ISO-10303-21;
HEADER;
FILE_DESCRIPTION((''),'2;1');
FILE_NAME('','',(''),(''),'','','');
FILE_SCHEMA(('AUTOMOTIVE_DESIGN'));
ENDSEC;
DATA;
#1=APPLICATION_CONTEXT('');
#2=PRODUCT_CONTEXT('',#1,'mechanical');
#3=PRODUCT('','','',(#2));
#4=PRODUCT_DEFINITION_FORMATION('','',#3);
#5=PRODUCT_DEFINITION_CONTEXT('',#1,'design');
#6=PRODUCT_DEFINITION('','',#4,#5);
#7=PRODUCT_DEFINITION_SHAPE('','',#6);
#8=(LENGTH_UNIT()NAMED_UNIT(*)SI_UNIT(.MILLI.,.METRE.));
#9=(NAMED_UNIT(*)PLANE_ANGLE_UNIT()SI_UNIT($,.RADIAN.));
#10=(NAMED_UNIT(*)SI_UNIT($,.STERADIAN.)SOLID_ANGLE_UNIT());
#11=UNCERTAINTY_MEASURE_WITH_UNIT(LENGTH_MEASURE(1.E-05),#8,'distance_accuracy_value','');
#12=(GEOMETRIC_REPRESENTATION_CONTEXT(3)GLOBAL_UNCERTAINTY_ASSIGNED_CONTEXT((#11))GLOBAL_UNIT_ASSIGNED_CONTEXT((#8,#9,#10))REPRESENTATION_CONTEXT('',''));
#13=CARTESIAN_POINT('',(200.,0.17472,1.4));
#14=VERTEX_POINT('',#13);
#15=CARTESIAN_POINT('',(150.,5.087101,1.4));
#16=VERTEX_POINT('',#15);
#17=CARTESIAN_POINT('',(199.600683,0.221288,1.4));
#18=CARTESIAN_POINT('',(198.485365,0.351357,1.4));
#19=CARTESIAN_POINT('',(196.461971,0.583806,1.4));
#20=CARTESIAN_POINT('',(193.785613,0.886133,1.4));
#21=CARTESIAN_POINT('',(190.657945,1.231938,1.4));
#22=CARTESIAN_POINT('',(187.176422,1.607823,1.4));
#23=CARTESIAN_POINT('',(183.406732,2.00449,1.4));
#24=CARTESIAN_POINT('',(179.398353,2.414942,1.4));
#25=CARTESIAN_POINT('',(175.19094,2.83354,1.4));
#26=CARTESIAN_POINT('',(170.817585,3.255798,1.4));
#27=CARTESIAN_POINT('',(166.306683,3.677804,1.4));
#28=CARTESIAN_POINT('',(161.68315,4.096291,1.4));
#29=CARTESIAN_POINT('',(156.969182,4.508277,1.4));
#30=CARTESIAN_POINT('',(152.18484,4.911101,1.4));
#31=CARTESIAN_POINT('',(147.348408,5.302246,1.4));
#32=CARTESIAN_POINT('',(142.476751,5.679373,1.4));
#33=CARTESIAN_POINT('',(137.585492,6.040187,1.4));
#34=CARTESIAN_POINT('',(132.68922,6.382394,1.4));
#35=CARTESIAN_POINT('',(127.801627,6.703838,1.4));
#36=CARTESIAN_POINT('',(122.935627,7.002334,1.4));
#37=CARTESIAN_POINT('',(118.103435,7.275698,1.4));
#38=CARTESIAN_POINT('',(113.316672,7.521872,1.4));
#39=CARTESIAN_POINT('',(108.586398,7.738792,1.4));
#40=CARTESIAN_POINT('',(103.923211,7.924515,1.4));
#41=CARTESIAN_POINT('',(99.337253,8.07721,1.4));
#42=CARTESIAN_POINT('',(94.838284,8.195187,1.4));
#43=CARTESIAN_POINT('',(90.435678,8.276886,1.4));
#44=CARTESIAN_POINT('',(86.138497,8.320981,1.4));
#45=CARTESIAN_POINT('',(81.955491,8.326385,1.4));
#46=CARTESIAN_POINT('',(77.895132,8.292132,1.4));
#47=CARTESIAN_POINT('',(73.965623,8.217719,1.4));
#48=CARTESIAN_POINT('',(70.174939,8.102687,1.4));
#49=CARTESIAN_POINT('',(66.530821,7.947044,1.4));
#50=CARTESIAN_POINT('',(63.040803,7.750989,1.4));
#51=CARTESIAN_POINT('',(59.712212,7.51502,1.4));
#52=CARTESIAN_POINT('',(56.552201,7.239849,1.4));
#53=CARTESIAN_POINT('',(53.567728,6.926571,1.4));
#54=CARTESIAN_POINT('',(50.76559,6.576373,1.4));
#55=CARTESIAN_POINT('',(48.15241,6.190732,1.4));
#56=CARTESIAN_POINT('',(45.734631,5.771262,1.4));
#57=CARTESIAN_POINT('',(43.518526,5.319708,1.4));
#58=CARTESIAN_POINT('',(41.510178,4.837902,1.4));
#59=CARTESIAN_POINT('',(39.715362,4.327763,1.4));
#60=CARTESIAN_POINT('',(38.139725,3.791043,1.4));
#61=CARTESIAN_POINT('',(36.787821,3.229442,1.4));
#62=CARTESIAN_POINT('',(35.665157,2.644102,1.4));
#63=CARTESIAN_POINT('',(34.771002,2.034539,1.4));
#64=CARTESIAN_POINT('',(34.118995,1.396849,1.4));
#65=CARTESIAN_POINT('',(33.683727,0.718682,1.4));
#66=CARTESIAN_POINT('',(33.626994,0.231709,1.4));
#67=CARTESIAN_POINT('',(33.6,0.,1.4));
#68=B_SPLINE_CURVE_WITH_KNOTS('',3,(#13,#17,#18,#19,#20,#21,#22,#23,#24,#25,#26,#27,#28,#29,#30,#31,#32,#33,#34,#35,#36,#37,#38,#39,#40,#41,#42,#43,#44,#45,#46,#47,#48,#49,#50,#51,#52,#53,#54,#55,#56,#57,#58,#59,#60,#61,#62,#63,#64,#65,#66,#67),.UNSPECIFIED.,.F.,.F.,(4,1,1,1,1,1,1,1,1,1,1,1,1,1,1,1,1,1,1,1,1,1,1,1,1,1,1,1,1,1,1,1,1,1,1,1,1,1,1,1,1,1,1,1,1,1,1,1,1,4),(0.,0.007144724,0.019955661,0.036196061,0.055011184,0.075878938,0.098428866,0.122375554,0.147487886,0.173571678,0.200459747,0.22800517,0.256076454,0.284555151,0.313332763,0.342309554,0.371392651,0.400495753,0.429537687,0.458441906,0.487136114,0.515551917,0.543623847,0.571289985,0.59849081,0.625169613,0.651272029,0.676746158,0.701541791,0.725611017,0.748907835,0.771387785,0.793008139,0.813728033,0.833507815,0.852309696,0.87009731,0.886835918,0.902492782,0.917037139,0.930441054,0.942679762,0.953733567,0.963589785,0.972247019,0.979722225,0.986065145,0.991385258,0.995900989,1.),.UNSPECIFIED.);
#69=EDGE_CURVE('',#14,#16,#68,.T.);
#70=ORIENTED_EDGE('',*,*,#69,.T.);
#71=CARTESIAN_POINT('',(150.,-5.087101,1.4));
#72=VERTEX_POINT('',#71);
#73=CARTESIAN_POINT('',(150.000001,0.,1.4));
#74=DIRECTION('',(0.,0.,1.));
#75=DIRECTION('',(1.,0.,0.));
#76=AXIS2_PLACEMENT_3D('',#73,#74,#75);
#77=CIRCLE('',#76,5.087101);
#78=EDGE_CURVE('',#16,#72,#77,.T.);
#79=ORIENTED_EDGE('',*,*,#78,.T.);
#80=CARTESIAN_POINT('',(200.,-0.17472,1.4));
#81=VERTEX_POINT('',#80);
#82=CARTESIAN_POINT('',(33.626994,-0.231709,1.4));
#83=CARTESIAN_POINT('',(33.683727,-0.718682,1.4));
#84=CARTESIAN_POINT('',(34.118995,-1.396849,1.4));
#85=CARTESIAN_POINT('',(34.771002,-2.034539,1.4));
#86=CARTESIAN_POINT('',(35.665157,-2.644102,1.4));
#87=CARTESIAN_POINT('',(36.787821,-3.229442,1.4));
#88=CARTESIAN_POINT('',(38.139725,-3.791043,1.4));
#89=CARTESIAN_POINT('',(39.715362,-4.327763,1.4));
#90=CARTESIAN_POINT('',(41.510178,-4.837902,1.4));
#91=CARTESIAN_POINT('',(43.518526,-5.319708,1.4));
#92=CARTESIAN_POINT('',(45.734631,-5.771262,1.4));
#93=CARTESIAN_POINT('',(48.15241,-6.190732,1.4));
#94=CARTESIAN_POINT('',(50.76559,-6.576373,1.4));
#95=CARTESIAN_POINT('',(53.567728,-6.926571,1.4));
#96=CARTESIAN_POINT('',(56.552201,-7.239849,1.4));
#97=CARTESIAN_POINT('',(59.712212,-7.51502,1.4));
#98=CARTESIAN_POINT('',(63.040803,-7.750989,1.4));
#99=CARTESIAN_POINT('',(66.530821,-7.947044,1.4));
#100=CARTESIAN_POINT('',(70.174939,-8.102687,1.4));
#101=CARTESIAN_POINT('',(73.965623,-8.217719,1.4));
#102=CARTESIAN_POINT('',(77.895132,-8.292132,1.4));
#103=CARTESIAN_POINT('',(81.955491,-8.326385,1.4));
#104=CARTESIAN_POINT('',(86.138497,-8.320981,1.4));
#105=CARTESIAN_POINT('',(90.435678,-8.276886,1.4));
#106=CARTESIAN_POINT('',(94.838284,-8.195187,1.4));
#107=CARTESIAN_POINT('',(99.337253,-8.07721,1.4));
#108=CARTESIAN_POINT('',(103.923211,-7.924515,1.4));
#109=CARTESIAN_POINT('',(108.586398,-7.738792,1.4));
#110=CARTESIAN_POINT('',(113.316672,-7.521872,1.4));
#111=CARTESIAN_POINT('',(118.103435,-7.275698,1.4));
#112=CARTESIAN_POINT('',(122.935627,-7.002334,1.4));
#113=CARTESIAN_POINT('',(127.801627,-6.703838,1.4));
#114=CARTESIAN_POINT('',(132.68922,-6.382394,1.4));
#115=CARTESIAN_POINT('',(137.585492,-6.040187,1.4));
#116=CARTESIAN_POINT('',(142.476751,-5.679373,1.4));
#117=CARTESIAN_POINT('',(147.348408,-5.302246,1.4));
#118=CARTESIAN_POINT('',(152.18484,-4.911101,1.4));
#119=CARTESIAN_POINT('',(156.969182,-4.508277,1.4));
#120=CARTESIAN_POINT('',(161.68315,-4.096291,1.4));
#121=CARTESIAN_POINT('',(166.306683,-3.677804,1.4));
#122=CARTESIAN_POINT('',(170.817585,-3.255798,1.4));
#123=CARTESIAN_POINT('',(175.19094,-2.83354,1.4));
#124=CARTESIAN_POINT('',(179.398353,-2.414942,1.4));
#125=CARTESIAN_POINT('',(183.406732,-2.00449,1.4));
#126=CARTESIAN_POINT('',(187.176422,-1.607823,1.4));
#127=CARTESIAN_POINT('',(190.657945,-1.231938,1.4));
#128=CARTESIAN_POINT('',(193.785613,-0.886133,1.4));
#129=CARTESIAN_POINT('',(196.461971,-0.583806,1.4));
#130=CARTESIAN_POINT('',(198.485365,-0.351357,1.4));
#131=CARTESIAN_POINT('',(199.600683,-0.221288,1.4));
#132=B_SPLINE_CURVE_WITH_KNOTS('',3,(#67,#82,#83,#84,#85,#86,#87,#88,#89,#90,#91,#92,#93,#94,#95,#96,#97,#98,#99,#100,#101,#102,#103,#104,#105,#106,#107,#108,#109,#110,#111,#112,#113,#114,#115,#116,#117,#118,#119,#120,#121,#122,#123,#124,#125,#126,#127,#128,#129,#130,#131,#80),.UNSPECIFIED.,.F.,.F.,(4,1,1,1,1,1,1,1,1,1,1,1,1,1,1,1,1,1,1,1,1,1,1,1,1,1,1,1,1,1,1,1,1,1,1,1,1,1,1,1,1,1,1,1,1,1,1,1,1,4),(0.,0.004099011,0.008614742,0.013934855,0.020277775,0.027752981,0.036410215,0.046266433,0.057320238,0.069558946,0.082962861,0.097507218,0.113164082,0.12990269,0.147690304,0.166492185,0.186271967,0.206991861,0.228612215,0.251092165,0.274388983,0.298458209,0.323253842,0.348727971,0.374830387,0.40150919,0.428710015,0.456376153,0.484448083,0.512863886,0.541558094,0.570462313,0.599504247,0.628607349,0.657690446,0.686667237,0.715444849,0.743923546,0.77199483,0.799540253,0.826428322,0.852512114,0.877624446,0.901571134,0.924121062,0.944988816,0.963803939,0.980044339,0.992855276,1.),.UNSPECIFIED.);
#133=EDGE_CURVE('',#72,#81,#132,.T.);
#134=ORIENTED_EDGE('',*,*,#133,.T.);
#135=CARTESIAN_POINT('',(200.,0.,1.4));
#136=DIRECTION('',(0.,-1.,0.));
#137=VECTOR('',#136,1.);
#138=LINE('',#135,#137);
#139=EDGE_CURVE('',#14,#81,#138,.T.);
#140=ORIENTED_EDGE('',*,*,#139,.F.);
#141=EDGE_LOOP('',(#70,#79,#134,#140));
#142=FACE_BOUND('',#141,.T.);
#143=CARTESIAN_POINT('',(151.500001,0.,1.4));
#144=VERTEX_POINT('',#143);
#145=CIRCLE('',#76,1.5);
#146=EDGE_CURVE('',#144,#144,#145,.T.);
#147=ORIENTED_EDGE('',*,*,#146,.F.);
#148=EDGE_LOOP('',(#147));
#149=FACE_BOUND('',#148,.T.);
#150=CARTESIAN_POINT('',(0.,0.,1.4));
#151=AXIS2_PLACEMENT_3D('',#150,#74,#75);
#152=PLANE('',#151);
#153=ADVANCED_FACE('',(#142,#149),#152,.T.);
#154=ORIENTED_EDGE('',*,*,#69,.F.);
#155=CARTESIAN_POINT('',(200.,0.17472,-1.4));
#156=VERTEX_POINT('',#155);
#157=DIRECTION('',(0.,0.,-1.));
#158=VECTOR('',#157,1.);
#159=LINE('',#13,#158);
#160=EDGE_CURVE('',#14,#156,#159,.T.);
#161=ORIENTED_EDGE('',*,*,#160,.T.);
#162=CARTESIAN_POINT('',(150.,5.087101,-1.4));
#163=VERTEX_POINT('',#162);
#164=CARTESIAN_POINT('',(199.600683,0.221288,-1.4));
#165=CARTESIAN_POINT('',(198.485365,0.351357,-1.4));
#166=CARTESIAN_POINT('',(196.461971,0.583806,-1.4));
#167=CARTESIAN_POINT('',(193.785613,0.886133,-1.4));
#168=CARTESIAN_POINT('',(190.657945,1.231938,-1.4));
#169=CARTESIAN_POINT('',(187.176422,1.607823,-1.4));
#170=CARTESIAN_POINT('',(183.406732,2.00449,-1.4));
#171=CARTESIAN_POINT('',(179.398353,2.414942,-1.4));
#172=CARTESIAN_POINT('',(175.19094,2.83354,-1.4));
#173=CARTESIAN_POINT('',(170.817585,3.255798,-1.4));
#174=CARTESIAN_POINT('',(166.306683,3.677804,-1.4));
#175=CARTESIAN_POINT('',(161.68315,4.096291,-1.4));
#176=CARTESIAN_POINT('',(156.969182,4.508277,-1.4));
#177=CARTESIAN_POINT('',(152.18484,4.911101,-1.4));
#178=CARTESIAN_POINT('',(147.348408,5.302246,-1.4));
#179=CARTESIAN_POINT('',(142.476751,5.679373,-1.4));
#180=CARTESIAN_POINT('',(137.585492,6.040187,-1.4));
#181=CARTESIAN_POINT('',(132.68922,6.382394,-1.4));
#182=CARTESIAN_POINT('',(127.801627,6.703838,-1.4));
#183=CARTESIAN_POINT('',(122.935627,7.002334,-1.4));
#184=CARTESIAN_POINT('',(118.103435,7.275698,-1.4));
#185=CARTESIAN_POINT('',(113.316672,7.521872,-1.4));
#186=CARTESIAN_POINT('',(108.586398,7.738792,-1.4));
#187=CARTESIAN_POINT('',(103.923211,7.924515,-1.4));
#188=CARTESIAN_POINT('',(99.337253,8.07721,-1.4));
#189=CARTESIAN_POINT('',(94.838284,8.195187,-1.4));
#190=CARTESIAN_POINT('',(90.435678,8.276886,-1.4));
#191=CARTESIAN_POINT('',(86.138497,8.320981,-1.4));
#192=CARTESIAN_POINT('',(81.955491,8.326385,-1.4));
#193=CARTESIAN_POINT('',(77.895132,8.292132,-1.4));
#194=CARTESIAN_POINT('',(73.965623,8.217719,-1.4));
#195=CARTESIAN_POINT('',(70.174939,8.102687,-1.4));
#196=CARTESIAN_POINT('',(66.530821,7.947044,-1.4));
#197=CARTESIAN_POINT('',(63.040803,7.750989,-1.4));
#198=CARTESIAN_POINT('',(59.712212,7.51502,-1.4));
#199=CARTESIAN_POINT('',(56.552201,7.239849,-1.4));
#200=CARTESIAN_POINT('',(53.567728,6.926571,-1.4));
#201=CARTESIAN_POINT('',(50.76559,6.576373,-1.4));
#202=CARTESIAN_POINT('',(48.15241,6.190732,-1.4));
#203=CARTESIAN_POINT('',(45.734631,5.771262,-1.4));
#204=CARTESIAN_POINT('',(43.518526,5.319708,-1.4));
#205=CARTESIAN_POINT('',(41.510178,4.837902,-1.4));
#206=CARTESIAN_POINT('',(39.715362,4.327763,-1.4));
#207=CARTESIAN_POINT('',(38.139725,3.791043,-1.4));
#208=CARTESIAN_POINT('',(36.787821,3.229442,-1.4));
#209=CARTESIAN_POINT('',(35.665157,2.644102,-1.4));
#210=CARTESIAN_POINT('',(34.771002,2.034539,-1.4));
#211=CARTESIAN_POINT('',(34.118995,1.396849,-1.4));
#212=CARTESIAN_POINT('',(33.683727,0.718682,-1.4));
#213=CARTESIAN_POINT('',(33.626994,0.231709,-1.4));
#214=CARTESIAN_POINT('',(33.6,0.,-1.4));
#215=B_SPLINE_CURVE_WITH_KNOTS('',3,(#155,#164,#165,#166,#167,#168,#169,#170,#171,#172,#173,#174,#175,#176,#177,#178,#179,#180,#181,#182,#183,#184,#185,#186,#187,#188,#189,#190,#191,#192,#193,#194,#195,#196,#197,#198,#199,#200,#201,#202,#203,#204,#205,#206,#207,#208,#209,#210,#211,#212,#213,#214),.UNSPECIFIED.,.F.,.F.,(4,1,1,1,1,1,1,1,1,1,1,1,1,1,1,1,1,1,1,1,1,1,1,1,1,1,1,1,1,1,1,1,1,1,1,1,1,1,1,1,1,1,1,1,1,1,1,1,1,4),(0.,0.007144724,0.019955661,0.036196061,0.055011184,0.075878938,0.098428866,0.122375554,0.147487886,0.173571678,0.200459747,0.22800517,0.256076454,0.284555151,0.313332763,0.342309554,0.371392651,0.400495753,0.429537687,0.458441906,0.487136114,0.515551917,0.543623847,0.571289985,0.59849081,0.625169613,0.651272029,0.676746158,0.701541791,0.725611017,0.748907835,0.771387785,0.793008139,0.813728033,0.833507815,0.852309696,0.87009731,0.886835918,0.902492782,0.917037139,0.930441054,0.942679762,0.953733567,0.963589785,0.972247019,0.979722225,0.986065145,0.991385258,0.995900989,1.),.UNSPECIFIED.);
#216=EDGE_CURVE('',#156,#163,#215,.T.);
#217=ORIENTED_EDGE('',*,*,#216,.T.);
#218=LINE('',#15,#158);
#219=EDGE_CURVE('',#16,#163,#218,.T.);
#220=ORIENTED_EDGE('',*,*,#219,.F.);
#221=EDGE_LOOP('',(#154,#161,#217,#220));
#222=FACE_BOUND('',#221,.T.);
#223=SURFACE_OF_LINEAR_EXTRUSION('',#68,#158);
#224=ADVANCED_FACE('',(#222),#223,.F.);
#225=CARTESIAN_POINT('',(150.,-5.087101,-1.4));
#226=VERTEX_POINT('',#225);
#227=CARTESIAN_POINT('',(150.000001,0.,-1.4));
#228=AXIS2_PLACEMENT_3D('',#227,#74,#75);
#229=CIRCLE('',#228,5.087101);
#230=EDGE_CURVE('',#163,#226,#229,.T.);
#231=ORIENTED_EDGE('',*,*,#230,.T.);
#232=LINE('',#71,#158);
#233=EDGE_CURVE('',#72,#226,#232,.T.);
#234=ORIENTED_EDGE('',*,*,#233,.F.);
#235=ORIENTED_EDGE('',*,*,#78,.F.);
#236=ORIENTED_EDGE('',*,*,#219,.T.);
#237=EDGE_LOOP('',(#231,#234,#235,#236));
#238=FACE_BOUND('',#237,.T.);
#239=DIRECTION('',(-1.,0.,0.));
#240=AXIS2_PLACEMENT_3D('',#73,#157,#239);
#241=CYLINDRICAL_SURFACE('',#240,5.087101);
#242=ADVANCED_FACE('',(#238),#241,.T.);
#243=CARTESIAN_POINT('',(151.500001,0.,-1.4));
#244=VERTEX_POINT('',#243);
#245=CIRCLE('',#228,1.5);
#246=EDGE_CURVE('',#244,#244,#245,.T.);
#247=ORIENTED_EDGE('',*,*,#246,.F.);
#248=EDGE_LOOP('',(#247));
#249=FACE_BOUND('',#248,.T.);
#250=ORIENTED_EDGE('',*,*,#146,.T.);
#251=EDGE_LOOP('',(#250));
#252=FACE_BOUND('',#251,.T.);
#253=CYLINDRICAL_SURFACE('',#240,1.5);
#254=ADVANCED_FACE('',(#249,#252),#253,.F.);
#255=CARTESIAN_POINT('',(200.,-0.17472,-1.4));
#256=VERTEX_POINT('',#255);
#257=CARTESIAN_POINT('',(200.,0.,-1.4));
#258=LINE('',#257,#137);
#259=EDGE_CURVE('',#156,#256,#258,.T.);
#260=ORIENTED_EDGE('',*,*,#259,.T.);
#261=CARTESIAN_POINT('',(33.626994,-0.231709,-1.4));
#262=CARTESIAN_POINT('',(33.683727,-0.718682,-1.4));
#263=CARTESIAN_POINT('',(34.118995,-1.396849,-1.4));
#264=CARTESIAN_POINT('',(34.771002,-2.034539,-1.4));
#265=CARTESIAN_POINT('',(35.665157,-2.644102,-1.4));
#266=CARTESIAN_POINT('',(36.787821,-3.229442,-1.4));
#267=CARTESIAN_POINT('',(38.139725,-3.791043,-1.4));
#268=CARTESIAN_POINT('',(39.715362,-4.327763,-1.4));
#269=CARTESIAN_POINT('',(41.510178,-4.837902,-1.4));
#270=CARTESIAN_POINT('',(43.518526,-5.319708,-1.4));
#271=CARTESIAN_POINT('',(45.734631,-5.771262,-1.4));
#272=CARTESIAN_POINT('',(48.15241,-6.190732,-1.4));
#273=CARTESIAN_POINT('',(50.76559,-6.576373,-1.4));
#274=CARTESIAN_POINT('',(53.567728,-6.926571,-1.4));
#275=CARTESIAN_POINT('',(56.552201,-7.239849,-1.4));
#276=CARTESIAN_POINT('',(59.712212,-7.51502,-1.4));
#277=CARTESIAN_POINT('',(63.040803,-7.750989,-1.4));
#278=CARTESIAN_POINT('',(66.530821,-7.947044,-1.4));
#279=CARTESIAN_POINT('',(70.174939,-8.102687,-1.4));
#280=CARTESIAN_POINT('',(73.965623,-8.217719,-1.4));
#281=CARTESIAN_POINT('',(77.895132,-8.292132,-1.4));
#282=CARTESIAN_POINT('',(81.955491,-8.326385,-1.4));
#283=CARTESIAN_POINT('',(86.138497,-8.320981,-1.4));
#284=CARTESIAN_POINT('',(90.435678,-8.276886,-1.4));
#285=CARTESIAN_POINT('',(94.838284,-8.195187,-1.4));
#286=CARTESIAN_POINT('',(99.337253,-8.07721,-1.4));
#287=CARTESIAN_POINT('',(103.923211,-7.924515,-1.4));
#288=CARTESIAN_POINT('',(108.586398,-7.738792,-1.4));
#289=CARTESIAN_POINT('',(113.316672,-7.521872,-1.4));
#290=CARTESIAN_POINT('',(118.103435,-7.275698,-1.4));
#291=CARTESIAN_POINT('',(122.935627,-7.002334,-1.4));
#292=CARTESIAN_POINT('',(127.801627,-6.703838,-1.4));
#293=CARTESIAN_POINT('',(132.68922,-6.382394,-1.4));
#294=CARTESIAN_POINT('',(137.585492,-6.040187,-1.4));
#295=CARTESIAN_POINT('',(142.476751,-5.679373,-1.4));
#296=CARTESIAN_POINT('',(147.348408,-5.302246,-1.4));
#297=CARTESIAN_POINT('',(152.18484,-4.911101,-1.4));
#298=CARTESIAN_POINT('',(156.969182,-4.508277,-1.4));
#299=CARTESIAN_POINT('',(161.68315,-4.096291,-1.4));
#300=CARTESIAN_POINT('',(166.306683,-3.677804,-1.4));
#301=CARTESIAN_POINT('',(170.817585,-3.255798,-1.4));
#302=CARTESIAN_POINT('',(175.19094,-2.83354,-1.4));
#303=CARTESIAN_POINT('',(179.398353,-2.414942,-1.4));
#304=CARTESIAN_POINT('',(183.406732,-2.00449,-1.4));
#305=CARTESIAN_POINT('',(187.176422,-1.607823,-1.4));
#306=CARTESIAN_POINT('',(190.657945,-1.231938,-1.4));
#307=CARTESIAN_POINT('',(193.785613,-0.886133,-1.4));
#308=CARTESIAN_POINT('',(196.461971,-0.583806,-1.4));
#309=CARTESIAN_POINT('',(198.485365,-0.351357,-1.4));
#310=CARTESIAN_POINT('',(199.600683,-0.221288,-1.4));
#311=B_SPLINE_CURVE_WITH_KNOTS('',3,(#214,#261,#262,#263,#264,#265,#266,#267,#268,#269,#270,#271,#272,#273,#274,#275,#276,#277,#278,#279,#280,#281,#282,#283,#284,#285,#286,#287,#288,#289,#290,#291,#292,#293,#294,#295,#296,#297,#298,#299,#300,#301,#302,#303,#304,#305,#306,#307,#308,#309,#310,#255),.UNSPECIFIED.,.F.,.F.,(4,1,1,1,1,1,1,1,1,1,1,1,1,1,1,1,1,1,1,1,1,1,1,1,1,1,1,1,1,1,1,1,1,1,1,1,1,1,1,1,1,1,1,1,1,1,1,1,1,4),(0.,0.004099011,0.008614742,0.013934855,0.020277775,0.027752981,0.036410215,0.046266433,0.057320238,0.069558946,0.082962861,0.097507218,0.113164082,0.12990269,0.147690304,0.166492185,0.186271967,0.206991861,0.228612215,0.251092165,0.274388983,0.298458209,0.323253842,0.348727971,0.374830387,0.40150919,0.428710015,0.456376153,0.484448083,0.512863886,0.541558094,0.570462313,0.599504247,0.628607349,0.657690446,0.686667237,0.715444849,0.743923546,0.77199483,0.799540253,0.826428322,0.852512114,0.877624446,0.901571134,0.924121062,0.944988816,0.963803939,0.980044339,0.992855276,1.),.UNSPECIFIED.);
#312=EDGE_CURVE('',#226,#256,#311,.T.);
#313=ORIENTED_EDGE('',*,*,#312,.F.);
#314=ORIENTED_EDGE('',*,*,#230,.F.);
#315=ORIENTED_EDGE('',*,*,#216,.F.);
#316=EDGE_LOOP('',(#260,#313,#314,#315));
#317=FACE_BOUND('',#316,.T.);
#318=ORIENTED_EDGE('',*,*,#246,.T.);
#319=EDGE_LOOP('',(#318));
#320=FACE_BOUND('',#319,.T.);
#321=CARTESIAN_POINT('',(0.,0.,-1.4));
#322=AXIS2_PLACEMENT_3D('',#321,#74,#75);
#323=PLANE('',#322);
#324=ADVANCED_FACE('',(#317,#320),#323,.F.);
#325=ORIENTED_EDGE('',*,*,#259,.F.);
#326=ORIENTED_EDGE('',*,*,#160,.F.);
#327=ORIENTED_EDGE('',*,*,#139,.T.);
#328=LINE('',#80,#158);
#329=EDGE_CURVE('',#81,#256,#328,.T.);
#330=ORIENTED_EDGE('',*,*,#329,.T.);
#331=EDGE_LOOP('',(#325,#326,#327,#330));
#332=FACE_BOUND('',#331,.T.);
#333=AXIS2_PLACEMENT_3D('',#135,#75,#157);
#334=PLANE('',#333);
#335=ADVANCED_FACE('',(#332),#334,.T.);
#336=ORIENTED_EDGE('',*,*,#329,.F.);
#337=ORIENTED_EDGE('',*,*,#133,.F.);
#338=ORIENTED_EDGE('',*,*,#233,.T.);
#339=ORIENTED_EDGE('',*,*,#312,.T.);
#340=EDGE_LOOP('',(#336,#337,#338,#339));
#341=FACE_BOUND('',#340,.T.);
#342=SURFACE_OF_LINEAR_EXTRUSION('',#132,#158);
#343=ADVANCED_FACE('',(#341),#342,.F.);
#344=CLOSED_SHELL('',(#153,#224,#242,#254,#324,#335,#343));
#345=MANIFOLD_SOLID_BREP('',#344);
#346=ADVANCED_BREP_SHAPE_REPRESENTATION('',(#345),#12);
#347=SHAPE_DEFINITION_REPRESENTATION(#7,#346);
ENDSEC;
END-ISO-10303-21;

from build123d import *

# Parameters (mm, degrees)
SKETCH_1_R      = 1.5
EXTRUDE_1_DEPTH = 1.4


with BuildPart() as part:
    # Эскиз1 → Бобышка-Вытянуть1 (new, symmetric)
    with BuildSketch(Plane.XY):
        with BuildLine():
            Line((200, -0.17472), (200, 0.17472))
            add(Edge.make_bspline(
                [(200, 0.17472), (199.600682765, 0.221288408), (198.485364747, 0.351356884), (196.461970705, 0.583806064), (193.785612886, 0.886133118), (190.657944971, 1.231938396), (187.176422045, 1.607822673), (183.406732336, 2.004490231), (179.398353357, 2.414941802), (173.685417785, 2.983325928), (167.76840734, 3.545499789), (161.683149627, 4.096290968), (156.969182151, 4.508276909), (153.064759225, 4.837015276), (150.733840137, 5.027649351), (150, 5.087100899)],
                knots=[0, 0, 0, 0, 0.007144724, 0.019955661, 0.036196061, 0.055011184, 0.075878938, 0.098428866, 0.122375554, 0.147487886, 0.200459747, 0.22800517, 0.256076454, 0.284555151, 0.297639613, 0.297639613, 0.297639613, 0.297639613], degree=3))
            ThreePointArc((150, 5.087100899), (144.91290042, 0), (150, -5.087100899))
            add(Edge.make_bspline(
                [(150, -5.087100899), (150.733840137, -5.027649351), (153.064759225, -4.837015276), (156.969182151, -4.508276909), (161.683149627, -4.096290968), (167.76840734, -3.545499789), (173.685417785, -2.983325928), (179.398353357, -2.414941802), (183.406732336, -2.004490231), (187.176422045, -1.607822673), (190.657944971, -1.231938396), (193.785612886, -0.886133118), (196.461970705, -0.583806064), (198.485364747, -0.351356884), (199.600682765, -0.221288408), (200, -0.17472)],
                knots=[0.702360387, 0.702360387, 0.702360387, 0.702360387, 0.715444849, 0.743923546, 0.77199483, 0.799540253, 0.852512114, 0.877624446, 0.901571134, 0.924121062, 0.944988816, 0.963803939, 0.980044339, 0.992855276, 1, 1, 1, 1], degree=3))
        make_face()
        with Locations((150.000001319, 0)):
            Circle(SKETCH_1_R, mode=Mode.SUBTRACT)
    extrude(amount=EXTRUDE_1_DEPTH, both=True)


solid = part.part
